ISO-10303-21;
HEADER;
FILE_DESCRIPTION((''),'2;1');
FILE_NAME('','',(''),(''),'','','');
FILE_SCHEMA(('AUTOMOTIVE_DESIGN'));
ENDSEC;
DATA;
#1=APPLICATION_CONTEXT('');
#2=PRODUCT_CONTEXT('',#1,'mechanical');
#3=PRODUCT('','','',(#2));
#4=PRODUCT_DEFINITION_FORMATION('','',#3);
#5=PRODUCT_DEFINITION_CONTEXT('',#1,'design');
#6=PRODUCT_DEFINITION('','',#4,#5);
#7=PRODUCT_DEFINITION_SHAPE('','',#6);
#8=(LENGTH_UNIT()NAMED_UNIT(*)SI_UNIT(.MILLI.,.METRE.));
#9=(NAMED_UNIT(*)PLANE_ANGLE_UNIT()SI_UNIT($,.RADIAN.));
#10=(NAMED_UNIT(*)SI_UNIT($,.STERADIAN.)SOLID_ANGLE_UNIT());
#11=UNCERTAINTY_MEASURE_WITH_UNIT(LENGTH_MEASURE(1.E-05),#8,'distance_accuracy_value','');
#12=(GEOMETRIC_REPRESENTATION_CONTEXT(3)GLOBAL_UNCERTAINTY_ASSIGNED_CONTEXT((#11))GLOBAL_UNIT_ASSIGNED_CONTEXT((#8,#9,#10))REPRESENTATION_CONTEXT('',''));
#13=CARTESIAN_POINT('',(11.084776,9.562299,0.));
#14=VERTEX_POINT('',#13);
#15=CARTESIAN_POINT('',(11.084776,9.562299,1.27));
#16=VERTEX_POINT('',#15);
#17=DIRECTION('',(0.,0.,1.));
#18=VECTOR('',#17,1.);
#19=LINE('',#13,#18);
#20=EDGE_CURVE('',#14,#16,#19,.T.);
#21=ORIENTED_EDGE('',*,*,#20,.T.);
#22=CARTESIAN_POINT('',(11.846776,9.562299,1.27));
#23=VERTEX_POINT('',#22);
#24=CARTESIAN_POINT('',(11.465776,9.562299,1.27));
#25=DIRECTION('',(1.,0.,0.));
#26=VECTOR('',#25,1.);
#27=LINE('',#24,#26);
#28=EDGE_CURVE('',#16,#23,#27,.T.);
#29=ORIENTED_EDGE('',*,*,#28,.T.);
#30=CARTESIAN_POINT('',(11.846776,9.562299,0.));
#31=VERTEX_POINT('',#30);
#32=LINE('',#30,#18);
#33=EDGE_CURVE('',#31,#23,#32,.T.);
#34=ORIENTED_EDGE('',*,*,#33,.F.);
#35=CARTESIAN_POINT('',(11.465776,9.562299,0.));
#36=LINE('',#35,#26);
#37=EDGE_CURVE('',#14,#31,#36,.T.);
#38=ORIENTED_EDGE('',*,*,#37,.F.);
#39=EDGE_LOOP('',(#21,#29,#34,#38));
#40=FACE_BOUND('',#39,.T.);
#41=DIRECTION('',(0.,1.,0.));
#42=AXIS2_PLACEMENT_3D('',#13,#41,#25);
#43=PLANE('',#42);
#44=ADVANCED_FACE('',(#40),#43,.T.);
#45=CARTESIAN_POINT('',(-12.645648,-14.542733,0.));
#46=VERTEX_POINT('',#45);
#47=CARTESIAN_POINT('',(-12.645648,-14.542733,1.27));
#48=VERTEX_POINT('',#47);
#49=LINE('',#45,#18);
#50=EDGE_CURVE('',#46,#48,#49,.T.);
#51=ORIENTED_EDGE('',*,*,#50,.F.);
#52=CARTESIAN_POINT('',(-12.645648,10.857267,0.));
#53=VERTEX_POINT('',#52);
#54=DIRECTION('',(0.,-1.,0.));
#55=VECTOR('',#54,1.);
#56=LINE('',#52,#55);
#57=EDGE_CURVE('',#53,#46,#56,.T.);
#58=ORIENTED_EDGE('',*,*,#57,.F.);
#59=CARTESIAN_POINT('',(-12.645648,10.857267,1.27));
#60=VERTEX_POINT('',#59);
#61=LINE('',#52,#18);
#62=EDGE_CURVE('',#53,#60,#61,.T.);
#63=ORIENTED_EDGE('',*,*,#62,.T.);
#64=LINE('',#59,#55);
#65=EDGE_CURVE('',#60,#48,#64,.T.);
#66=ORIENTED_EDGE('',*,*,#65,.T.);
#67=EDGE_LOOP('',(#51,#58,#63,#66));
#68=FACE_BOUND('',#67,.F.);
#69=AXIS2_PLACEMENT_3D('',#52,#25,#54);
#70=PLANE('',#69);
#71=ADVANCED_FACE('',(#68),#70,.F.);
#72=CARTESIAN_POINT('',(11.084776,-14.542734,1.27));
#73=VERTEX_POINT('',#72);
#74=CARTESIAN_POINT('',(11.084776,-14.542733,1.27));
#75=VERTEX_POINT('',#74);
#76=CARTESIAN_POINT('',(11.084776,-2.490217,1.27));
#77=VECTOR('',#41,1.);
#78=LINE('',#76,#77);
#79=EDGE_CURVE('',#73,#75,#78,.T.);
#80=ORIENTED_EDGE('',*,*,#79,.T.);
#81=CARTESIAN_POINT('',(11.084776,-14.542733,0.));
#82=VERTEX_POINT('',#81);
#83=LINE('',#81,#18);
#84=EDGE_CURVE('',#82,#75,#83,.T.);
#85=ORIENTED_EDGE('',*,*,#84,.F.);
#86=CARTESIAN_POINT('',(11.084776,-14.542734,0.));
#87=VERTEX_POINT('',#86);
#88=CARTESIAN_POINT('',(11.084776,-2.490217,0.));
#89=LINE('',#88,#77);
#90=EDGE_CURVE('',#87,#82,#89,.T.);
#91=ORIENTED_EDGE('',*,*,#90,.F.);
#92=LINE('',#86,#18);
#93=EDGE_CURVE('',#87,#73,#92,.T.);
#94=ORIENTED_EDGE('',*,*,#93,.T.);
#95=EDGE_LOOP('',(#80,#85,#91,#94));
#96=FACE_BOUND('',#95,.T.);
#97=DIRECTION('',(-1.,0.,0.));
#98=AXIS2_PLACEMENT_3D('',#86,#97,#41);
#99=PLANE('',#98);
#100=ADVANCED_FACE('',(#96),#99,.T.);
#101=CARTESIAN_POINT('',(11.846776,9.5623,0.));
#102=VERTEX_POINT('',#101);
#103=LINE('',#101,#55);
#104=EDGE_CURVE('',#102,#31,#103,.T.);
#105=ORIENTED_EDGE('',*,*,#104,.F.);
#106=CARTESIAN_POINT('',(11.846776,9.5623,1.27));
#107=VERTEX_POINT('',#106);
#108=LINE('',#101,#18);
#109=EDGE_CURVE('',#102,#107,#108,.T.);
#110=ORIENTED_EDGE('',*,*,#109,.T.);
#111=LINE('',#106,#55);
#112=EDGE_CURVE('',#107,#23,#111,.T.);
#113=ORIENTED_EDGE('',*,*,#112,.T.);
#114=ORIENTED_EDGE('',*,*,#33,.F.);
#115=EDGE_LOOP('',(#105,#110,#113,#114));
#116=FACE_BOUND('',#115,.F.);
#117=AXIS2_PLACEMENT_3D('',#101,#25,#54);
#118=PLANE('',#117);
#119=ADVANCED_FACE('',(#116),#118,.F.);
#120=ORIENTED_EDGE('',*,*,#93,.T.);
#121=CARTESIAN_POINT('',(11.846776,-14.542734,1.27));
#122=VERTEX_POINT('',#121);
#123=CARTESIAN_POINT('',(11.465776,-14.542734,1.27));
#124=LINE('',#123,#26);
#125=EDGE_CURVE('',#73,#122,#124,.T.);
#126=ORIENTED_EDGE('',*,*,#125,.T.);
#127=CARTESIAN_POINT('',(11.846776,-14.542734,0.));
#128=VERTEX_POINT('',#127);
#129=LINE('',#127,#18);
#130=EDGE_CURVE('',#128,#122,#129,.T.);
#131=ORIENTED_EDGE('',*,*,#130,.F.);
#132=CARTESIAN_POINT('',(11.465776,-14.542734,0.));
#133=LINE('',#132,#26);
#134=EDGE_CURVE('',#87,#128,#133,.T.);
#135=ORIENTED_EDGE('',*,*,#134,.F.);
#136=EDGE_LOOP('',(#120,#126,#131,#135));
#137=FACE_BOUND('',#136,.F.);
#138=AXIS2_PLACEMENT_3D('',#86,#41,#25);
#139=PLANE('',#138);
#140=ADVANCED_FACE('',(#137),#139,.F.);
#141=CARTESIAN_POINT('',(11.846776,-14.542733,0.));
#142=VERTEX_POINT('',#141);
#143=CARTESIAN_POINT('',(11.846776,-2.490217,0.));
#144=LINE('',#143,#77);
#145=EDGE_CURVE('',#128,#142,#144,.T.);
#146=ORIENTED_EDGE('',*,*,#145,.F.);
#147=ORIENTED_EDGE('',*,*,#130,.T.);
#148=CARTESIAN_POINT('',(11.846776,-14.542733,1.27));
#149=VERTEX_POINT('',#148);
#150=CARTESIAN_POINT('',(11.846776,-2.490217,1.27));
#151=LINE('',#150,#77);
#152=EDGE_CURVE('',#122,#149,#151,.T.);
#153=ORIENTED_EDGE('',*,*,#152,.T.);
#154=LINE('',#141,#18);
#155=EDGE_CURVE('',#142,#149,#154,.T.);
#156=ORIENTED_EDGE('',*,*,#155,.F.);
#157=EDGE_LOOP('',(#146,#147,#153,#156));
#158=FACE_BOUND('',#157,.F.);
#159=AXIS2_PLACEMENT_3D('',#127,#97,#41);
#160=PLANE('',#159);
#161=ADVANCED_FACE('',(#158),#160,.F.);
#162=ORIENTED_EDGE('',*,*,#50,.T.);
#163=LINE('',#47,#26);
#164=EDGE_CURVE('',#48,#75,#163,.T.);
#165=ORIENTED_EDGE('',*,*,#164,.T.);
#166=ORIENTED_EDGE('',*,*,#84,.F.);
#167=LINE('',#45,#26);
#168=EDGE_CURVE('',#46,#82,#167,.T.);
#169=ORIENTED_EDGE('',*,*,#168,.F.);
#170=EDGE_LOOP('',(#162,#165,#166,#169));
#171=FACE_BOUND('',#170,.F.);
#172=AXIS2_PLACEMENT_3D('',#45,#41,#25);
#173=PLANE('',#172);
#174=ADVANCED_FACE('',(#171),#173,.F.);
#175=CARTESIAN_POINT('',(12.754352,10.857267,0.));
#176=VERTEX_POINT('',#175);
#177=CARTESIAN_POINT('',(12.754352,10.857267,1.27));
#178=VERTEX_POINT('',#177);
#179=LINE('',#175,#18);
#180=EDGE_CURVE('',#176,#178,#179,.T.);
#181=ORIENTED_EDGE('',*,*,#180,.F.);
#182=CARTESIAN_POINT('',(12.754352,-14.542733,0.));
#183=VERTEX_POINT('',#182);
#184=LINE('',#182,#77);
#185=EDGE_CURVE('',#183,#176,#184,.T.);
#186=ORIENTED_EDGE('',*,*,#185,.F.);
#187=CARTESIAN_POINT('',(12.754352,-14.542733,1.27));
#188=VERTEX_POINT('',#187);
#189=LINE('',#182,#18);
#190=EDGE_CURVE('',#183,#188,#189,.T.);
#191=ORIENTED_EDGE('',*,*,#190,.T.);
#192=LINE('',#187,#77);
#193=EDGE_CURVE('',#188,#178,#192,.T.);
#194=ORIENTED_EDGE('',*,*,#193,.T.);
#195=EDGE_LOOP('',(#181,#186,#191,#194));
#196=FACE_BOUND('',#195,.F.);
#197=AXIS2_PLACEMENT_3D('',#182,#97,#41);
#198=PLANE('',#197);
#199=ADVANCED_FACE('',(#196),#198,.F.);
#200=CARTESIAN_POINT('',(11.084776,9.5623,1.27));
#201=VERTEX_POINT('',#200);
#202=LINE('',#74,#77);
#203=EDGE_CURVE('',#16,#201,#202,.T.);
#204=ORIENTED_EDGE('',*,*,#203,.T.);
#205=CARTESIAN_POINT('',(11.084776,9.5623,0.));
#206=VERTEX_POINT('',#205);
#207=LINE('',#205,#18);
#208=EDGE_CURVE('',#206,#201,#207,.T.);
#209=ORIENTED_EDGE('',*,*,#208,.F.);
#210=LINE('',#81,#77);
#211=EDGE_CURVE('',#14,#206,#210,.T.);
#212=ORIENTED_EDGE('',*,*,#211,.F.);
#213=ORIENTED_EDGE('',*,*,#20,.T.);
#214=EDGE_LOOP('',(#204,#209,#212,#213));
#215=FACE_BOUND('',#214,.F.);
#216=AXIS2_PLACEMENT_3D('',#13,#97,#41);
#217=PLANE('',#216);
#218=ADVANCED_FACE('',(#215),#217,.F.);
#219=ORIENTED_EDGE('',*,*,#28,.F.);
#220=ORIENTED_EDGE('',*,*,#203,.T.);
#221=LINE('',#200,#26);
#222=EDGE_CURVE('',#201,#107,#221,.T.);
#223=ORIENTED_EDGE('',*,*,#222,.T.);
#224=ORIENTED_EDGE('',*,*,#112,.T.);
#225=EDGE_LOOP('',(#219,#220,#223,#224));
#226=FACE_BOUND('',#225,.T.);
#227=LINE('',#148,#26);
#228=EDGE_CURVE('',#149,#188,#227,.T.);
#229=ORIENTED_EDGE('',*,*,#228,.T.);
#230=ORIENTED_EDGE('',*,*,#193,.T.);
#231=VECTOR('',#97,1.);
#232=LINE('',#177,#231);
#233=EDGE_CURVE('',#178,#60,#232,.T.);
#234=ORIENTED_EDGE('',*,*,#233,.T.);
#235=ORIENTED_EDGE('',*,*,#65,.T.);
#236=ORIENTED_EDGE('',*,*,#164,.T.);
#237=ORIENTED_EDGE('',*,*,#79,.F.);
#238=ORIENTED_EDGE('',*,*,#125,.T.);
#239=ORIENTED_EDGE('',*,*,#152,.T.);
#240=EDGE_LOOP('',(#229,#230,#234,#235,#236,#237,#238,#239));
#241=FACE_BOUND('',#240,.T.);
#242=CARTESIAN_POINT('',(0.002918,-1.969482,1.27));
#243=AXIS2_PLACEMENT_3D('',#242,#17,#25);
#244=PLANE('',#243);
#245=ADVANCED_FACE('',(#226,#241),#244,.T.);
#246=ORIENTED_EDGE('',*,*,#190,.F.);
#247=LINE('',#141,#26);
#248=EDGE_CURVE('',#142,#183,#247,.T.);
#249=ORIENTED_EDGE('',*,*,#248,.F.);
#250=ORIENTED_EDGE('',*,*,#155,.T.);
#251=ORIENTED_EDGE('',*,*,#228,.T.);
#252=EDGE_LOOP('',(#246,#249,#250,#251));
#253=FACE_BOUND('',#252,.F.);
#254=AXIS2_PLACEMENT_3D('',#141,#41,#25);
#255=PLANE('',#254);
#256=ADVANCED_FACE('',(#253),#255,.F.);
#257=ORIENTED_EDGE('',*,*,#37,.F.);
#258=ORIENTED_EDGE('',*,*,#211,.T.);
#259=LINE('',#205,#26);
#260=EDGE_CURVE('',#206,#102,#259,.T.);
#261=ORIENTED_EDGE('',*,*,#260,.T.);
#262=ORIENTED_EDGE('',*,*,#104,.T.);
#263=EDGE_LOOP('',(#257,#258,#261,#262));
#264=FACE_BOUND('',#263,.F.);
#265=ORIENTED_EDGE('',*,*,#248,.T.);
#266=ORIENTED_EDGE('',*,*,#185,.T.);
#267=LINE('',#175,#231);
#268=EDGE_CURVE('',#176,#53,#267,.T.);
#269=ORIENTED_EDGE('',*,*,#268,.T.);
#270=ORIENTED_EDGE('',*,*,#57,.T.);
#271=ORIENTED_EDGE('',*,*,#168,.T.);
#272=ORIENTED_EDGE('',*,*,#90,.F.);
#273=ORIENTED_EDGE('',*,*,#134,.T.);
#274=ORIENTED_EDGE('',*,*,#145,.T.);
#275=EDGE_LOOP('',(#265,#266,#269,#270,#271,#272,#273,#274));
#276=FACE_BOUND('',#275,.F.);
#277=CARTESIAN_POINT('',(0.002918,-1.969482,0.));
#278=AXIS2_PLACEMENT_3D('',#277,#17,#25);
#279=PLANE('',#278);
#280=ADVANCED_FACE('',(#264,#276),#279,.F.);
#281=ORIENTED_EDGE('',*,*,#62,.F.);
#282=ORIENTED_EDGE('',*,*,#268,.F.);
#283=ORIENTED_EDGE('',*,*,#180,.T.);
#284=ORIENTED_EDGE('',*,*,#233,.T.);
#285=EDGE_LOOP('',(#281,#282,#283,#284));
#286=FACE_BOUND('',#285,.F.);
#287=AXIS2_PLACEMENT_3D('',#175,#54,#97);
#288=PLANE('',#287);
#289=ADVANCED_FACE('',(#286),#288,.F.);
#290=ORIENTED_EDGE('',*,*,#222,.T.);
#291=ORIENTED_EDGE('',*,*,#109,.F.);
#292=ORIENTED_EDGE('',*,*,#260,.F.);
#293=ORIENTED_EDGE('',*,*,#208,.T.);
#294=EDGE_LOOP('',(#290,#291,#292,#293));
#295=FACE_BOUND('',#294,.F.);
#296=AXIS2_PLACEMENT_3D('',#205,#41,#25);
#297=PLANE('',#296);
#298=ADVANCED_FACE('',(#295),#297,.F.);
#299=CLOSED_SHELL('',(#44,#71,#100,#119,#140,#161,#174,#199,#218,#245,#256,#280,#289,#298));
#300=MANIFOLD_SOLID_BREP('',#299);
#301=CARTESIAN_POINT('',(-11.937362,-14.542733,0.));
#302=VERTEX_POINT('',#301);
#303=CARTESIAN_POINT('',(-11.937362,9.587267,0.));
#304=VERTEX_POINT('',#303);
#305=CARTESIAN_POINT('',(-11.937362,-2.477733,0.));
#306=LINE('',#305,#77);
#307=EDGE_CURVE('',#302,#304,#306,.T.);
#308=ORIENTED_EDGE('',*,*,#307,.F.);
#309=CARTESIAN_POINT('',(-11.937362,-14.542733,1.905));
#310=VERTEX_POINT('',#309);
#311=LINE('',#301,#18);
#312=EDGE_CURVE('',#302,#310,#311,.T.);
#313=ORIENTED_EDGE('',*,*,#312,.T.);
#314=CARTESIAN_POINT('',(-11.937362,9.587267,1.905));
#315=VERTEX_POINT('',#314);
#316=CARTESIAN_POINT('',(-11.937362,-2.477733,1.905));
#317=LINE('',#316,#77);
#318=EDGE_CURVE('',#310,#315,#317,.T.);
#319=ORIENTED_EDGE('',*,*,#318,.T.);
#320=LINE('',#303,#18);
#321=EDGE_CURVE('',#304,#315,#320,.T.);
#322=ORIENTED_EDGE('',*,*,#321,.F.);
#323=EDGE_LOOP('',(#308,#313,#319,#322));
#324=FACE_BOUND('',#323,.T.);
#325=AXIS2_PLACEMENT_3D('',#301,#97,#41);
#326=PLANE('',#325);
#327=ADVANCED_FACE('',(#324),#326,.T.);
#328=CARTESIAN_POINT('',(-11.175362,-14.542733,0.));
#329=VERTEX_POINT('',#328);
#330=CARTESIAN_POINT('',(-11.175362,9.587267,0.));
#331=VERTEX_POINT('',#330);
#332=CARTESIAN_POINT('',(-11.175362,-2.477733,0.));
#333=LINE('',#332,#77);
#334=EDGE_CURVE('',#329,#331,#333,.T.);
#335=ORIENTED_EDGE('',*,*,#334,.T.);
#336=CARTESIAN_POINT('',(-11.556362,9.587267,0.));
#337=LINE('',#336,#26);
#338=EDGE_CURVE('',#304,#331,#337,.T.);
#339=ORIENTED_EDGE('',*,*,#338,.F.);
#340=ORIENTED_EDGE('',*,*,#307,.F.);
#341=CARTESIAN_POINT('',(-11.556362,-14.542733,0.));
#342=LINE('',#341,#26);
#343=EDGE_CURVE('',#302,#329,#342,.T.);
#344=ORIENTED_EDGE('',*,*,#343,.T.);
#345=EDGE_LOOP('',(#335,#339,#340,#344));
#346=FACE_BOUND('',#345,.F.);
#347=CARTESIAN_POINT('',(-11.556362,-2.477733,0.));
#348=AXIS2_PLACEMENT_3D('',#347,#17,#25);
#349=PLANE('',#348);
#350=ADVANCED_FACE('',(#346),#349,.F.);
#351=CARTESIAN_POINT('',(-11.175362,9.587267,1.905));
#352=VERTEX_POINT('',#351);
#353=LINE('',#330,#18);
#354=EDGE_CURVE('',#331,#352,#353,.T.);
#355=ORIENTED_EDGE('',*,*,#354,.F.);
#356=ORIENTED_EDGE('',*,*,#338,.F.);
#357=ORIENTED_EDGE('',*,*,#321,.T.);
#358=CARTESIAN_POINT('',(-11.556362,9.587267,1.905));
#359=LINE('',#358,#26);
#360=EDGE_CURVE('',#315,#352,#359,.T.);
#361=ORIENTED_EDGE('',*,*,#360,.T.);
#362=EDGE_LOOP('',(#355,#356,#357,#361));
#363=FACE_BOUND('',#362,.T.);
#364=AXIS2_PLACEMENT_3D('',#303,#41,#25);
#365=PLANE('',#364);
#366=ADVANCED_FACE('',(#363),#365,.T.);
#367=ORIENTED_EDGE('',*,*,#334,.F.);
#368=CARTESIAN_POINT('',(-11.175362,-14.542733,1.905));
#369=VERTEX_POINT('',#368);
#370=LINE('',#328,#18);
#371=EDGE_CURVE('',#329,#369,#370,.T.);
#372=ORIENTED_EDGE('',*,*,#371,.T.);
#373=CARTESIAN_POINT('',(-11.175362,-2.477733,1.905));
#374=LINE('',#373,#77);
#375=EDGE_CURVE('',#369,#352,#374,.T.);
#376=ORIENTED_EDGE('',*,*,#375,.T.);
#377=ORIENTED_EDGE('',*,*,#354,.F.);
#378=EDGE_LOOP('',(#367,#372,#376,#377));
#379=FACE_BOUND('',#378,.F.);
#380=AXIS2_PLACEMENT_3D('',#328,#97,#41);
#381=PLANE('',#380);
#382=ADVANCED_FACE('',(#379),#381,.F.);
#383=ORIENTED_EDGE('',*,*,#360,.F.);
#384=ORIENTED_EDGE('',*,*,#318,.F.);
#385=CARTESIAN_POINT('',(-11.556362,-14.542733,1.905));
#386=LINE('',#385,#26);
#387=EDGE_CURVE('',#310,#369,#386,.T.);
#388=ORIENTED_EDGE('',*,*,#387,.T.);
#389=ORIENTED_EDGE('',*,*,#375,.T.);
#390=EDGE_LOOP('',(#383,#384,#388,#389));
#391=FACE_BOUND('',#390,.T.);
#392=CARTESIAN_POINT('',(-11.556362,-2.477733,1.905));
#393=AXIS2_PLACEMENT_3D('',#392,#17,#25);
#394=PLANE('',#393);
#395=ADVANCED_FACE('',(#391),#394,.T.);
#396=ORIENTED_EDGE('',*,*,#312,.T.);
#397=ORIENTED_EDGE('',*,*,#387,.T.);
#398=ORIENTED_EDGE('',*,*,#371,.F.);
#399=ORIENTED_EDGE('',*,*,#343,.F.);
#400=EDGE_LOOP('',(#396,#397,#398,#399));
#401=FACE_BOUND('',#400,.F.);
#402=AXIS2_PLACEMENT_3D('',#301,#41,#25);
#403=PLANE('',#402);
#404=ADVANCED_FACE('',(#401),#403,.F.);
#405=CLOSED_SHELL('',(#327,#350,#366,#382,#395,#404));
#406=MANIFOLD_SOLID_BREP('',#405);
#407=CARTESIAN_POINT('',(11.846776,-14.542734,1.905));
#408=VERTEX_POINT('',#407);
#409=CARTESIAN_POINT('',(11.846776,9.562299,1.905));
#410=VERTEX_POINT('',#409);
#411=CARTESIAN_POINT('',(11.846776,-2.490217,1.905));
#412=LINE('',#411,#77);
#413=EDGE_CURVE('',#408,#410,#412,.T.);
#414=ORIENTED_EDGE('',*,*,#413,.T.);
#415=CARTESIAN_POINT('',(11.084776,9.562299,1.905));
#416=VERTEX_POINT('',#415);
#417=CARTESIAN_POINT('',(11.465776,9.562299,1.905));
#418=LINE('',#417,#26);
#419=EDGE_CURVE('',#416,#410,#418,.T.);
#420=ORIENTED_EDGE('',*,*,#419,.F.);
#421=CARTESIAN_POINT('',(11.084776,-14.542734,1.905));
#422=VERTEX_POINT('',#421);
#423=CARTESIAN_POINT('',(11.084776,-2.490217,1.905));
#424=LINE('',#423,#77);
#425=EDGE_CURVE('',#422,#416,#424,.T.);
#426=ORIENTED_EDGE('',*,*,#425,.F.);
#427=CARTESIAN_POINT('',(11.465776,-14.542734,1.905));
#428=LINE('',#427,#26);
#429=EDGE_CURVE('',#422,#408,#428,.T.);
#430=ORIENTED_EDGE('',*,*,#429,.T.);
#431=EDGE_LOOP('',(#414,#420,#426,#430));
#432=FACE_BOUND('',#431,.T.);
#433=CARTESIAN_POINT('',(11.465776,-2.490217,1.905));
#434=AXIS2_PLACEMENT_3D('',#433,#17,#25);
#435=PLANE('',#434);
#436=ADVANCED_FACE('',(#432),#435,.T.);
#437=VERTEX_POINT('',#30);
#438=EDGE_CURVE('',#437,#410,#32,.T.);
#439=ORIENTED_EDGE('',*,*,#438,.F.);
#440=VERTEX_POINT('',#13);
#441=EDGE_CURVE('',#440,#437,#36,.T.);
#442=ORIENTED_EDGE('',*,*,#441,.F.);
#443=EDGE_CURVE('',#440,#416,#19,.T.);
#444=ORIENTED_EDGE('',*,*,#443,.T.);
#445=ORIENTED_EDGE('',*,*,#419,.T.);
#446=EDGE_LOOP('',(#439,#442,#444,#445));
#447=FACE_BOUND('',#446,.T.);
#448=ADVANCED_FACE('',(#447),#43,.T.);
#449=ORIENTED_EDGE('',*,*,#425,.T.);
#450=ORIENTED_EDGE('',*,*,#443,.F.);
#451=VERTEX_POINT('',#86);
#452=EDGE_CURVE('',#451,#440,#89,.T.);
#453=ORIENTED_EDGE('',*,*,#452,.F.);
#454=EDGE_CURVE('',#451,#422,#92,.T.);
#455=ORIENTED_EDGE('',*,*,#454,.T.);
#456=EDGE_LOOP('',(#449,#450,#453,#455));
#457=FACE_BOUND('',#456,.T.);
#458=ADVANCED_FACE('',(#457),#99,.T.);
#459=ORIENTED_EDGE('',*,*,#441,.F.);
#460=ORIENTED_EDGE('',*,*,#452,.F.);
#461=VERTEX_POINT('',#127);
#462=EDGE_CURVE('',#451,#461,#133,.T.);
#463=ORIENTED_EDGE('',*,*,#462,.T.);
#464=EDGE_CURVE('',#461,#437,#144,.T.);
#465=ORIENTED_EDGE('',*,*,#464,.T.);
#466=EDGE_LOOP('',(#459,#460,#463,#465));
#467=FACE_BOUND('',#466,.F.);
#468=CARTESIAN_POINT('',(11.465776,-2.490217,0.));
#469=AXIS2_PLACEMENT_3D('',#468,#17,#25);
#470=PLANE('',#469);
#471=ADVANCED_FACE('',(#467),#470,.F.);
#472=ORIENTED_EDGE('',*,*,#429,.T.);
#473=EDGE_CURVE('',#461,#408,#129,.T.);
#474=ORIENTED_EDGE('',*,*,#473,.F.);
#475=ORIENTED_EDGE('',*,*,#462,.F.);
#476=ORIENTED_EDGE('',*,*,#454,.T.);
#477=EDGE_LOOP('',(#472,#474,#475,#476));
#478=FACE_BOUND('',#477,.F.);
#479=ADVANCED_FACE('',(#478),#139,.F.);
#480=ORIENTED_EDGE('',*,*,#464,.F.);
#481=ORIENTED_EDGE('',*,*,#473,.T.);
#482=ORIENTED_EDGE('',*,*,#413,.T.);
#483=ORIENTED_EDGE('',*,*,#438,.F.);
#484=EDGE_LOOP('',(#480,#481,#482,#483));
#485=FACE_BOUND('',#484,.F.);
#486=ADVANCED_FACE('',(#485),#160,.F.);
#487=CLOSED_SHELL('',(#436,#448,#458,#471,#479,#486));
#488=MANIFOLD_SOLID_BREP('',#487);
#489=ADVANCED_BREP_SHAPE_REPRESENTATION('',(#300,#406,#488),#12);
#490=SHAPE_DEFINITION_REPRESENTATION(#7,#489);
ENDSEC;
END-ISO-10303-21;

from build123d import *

# Parameters (mm, degrees)
F0_W     = 0.762
F0_H     = 24.105033
F0_H_2   = 24.13
F1_DEPTH = 1.905
F2_DEPTH = 1.27


with BuildPart() as f1:
    # F0 (on Top) → F1 (new body)
    with BuildSketch(Plane.XY):
        with Locations((11.465776, -2.490217)):
            Rectangle(F0_W, F0_H)
        with Locations((-11.556362, -2.477733)):
            Rectangle(F0_W, F0_H_2)
    extrude(amount=F1_DEPTH)


with BuildPart() as f2:
    # F0 (on Top) → F2 (new body)
    with BuildSketch(Plane.XY):
        Polygon((11.846776, -14.542733), (12.754352, -14.542733), (12.754352, 10.857267), (-12.645648, 10.857267), (-12.645648, -14.542733), (-11.937362, -14.542733), (-11.937362, 9.587267), (-11.175362, 9.587267), (-11.175362, -14.542733), (11.084776, -14.542733), (11.084776, 9.5623), (11.846776, 9.5623), align=None)
        with Locations((-11.556362, -2.477733)):
            Rectangle(F0_W, F0_H_2)
        with Locations((11.465776, -2.490217)):
            Rectangle(F0_W, F0_H)
    extrude(amount=F2_DEPTH)


solid = Compound([f1.part, f2.part])
